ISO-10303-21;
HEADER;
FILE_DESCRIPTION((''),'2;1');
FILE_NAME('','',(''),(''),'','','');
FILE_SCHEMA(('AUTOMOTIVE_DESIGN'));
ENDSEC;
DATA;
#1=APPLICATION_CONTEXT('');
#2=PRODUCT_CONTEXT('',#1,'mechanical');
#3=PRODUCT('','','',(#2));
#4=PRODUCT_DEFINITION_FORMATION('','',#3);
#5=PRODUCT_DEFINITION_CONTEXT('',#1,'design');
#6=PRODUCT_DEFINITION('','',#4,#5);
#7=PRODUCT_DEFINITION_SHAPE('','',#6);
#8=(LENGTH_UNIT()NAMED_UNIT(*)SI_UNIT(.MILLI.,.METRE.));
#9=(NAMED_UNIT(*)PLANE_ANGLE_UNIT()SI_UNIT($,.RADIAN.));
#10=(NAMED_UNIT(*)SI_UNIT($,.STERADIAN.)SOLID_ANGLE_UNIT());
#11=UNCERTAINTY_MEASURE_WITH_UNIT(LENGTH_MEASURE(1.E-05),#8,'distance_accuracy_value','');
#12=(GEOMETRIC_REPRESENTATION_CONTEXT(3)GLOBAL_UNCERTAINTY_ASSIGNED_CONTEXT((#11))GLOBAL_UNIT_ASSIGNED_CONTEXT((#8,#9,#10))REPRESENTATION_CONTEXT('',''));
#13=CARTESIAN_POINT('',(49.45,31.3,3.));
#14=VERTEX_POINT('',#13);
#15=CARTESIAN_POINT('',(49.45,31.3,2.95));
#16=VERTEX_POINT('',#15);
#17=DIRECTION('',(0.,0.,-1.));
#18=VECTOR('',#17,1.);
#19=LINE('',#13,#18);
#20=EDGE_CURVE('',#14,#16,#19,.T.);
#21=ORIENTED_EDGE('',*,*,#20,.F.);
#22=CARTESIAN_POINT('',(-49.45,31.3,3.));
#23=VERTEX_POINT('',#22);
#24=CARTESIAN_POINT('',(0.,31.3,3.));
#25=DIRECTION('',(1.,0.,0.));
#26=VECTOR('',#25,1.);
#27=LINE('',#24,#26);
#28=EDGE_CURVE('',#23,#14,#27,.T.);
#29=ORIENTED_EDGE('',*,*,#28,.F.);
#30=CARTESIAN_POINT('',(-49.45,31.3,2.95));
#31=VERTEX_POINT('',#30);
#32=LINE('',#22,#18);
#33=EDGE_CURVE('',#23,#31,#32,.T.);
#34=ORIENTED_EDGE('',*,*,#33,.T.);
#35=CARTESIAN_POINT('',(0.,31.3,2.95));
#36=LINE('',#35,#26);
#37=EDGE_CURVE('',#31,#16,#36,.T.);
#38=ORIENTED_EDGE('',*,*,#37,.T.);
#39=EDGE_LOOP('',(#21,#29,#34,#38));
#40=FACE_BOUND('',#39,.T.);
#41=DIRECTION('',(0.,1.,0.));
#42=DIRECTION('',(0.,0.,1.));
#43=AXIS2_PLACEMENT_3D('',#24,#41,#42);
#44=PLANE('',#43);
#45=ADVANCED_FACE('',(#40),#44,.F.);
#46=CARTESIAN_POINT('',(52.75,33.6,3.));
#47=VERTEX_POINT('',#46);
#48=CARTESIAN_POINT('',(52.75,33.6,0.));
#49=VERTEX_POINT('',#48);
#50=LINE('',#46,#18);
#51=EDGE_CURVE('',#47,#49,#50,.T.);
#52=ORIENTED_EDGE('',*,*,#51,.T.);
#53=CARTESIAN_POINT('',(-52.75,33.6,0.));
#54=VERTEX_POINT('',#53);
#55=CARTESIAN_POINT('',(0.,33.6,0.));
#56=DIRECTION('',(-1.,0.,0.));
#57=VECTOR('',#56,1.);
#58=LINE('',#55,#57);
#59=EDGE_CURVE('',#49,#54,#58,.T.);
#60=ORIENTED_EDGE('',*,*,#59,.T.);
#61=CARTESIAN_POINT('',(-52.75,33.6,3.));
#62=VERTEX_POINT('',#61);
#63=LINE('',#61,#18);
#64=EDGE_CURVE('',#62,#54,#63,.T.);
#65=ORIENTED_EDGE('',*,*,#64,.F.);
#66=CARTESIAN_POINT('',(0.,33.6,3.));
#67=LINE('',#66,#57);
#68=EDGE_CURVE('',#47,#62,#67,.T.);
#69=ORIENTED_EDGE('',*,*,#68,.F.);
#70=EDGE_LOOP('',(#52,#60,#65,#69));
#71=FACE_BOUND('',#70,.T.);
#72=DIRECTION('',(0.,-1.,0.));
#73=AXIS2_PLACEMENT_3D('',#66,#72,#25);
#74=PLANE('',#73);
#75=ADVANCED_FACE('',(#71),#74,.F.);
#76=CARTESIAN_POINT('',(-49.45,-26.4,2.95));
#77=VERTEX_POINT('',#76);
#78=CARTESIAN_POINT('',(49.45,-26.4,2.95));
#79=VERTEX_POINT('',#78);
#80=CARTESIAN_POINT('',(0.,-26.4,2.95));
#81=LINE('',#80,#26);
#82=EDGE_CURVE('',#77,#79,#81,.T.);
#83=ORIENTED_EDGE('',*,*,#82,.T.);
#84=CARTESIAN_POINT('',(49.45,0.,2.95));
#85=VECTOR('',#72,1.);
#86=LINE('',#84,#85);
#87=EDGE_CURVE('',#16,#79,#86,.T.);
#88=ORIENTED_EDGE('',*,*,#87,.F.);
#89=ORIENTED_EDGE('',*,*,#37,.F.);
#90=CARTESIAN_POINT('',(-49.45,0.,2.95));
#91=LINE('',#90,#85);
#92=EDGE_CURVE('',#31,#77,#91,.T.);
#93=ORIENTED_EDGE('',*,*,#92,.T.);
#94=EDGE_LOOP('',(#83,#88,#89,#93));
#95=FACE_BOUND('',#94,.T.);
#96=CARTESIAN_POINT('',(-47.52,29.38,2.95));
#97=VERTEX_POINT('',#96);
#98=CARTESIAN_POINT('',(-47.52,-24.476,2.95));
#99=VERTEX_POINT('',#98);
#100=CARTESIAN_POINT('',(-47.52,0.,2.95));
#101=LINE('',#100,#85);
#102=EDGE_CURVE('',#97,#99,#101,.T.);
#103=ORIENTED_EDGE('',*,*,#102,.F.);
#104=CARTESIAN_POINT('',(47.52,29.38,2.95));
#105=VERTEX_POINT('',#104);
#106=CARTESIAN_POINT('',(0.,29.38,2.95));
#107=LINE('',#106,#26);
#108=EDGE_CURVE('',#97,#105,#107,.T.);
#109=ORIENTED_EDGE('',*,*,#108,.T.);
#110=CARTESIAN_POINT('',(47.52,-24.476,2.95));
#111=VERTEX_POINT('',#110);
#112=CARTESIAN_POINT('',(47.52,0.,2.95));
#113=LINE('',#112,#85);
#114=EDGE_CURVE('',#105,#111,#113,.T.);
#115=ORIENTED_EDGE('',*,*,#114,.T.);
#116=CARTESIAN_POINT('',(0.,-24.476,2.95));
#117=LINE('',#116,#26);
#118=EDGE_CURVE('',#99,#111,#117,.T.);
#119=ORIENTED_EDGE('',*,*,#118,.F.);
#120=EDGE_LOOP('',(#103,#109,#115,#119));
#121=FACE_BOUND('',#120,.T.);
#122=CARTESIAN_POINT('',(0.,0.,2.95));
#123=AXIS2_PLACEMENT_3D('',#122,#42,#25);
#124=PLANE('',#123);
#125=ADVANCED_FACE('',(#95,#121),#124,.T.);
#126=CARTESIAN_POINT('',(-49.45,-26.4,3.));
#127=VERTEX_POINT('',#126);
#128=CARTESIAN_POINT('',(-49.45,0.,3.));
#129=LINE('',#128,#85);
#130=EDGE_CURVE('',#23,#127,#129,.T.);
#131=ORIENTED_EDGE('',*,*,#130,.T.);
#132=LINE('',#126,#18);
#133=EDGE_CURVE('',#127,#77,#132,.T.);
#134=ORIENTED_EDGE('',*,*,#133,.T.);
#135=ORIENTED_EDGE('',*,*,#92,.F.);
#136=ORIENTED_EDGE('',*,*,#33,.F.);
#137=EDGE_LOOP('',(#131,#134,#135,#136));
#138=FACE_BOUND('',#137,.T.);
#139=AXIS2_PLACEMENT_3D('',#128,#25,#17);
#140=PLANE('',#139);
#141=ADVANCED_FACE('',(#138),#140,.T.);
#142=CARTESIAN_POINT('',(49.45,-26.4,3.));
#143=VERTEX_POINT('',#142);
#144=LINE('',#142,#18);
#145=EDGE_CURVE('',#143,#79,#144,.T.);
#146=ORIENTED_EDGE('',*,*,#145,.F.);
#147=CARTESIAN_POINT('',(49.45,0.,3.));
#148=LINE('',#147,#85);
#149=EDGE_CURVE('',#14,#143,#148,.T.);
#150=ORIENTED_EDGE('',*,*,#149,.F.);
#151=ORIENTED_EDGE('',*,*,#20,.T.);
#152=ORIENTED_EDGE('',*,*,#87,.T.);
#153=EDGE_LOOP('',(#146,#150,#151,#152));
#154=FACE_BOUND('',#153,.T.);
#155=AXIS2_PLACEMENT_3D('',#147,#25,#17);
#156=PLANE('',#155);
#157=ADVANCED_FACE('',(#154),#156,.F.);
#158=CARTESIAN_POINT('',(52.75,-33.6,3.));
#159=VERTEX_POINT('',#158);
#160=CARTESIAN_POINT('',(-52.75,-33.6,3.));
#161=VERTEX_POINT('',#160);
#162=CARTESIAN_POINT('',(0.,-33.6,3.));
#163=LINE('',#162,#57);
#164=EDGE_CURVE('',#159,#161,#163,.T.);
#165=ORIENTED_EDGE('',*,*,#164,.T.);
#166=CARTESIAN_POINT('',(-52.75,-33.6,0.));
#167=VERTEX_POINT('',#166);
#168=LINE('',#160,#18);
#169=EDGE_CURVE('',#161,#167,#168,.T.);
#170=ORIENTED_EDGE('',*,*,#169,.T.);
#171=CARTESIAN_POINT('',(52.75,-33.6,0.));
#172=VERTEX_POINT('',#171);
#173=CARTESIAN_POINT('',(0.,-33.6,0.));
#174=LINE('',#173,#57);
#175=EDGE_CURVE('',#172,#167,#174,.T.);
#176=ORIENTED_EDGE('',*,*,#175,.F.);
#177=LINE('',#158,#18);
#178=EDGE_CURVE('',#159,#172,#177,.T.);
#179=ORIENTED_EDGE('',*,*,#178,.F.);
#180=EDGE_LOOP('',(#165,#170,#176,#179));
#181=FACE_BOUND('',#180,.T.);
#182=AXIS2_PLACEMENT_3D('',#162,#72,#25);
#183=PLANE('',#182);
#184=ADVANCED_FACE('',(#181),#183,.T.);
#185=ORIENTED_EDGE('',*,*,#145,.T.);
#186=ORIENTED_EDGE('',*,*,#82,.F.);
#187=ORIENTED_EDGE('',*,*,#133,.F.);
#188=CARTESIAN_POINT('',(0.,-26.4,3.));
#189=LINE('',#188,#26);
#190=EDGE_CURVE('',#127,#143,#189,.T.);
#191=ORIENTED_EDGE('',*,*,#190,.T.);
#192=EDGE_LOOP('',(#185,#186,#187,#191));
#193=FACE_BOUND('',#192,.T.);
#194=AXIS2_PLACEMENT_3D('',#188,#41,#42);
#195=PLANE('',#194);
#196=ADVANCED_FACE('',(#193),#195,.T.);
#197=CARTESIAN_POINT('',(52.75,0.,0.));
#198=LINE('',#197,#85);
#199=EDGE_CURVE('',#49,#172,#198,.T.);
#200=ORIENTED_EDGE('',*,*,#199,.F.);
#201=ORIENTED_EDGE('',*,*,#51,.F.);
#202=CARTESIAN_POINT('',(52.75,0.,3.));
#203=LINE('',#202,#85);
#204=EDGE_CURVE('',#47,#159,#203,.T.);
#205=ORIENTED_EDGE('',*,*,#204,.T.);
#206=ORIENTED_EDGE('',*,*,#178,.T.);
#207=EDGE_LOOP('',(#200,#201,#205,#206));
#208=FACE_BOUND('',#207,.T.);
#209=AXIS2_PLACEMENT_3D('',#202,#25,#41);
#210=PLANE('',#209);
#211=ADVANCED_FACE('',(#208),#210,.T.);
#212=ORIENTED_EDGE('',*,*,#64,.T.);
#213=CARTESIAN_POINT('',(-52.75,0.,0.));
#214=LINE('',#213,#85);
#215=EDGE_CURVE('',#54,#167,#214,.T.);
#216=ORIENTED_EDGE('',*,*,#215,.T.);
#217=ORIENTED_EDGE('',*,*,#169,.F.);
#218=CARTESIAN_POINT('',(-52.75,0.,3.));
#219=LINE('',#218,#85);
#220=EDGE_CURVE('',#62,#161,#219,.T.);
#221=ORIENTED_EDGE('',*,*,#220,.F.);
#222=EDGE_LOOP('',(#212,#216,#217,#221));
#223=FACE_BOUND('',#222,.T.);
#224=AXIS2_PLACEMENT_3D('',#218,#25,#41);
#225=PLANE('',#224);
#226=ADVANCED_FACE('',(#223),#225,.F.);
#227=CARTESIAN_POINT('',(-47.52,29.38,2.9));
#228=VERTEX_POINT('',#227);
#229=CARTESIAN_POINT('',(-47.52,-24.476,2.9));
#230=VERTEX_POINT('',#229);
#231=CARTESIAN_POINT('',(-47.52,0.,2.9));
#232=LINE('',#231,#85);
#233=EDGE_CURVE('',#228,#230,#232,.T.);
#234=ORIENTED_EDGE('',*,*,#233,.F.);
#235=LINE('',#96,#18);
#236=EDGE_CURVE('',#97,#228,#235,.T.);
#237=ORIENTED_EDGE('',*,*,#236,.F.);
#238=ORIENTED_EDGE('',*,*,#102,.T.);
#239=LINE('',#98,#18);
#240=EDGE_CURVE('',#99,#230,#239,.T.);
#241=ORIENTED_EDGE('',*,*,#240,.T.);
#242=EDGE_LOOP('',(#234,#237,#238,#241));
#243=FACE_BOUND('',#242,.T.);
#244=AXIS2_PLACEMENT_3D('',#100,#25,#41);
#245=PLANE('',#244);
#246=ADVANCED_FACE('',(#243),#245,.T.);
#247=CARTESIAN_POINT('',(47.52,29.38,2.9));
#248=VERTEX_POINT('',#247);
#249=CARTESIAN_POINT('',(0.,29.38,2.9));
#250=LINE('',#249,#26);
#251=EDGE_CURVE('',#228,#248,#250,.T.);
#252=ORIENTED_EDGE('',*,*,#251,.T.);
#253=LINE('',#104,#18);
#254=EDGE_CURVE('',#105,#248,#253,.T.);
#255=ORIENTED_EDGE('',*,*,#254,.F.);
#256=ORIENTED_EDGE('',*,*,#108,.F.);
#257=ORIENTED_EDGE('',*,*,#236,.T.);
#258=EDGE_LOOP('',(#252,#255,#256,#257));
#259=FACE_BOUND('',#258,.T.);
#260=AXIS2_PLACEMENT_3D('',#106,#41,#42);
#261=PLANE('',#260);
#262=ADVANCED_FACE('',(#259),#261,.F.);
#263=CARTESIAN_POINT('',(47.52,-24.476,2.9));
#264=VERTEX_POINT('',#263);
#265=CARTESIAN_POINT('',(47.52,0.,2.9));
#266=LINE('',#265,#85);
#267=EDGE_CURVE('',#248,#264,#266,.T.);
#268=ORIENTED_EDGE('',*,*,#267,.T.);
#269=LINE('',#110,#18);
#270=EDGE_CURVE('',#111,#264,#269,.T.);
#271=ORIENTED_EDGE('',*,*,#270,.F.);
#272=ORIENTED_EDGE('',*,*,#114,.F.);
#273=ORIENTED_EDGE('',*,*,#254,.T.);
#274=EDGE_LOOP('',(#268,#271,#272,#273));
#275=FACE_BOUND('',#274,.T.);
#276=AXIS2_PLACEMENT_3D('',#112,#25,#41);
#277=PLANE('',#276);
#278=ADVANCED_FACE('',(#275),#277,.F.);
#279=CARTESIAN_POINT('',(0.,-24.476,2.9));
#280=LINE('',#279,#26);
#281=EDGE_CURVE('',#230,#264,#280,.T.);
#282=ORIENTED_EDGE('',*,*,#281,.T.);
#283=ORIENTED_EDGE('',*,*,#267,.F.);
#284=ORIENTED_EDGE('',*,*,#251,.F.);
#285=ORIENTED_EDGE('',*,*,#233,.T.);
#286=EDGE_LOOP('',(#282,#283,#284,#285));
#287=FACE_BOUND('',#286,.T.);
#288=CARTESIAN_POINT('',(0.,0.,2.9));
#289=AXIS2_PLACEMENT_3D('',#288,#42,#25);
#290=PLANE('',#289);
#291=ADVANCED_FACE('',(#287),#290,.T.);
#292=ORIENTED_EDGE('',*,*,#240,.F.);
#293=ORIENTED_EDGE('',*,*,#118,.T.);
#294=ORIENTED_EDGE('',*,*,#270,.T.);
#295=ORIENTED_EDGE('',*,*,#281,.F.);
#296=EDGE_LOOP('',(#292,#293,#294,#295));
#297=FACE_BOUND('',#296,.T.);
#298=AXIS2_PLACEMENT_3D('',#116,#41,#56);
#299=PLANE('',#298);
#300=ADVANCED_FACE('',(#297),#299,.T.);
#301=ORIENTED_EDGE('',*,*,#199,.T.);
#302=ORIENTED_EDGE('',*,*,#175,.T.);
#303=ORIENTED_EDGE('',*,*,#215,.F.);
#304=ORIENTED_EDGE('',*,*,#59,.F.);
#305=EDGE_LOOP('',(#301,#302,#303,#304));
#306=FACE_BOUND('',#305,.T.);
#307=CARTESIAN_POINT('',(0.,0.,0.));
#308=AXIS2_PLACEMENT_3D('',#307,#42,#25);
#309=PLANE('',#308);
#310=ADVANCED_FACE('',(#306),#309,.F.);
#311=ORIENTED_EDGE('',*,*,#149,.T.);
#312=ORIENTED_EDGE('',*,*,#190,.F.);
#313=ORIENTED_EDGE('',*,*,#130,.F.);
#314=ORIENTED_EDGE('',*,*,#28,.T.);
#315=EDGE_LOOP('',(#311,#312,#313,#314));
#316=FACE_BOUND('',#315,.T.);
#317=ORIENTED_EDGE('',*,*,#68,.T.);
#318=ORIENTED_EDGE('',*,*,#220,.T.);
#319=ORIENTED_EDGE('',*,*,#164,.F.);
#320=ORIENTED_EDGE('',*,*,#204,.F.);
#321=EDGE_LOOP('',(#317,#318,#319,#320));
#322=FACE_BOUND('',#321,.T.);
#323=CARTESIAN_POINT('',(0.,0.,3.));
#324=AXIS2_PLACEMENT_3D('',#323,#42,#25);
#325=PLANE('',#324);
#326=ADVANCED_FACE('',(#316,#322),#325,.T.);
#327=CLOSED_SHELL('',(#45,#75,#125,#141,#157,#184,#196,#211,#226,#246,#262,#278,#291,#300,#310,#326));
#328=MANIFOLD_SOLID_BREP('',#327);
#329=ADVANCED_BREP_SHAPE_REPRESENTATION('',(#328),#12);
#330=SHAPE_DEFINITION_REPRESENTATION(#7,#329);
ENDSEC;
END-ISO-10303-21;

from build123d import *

# Parameters (mm, degrees)
SKETCH1_W           = 105.5
SKETCH1_H           = 67.2
SKETCH1_W_2         = 98.9
SKETCH1_H_2         = 57.7
BOSS_EXTRUDE1_DEPTH = 3
SKETCH1_3_W         = 98.9
SKETCH1_3_H         = 57.7
SKETCH1_3_W_2       = 95.04
SKETCH1_3_H_2       = 53.856
BOSS_EXTRUDE2_DEPTH = 2.95
SKETCH1_4_W         = 95.04
SKETCH1_4_H         = 53.856
BOSS_EXTRUDE3_DEPTH = 2.9


with BuildPart() as part:
    # Sketch1 → Boss-Extrude1 (new body)
    with BuildSketch(Plane.XY):
        Rectangle(SKETCH1_W, SKETCH1_H)
        with Locations((0, 2.45)):
            Rectangle(SKETCH1_W_2, SKETCH1_H_2, mode=Mode.SUBTRACT)
    extrude(amount=BOSS_EXTRUDE1_DEPTH)

    # Sketch1<3> → Boss-Extrude2 (add)
    with BuildSketch(Plane.XY):
        with Locations((0, 2.45)):
            Rectangle(SKETCH1_3_W, SKETCH1_3_H)
        with Locations((0, 2.452)):
            Rectangle(SKETCH1_3_W_2, SKETCH1_3_H_2, mode=Mode.SUBTRACT)
    extrude(amount=BOSS_EXTRUDE2_DEPTH)

    # Sketch1<4> → Boss-Extrude3 (add)
    with BuildSketch(Plane.XY):
        with Locations((0, 2.452)):
            Rectangle(SKETCH1_4_W, SKETCH1_4_H)
    extrude(amount=BOSS_EXTRUDE3_DEPTH)


solid = part.part
